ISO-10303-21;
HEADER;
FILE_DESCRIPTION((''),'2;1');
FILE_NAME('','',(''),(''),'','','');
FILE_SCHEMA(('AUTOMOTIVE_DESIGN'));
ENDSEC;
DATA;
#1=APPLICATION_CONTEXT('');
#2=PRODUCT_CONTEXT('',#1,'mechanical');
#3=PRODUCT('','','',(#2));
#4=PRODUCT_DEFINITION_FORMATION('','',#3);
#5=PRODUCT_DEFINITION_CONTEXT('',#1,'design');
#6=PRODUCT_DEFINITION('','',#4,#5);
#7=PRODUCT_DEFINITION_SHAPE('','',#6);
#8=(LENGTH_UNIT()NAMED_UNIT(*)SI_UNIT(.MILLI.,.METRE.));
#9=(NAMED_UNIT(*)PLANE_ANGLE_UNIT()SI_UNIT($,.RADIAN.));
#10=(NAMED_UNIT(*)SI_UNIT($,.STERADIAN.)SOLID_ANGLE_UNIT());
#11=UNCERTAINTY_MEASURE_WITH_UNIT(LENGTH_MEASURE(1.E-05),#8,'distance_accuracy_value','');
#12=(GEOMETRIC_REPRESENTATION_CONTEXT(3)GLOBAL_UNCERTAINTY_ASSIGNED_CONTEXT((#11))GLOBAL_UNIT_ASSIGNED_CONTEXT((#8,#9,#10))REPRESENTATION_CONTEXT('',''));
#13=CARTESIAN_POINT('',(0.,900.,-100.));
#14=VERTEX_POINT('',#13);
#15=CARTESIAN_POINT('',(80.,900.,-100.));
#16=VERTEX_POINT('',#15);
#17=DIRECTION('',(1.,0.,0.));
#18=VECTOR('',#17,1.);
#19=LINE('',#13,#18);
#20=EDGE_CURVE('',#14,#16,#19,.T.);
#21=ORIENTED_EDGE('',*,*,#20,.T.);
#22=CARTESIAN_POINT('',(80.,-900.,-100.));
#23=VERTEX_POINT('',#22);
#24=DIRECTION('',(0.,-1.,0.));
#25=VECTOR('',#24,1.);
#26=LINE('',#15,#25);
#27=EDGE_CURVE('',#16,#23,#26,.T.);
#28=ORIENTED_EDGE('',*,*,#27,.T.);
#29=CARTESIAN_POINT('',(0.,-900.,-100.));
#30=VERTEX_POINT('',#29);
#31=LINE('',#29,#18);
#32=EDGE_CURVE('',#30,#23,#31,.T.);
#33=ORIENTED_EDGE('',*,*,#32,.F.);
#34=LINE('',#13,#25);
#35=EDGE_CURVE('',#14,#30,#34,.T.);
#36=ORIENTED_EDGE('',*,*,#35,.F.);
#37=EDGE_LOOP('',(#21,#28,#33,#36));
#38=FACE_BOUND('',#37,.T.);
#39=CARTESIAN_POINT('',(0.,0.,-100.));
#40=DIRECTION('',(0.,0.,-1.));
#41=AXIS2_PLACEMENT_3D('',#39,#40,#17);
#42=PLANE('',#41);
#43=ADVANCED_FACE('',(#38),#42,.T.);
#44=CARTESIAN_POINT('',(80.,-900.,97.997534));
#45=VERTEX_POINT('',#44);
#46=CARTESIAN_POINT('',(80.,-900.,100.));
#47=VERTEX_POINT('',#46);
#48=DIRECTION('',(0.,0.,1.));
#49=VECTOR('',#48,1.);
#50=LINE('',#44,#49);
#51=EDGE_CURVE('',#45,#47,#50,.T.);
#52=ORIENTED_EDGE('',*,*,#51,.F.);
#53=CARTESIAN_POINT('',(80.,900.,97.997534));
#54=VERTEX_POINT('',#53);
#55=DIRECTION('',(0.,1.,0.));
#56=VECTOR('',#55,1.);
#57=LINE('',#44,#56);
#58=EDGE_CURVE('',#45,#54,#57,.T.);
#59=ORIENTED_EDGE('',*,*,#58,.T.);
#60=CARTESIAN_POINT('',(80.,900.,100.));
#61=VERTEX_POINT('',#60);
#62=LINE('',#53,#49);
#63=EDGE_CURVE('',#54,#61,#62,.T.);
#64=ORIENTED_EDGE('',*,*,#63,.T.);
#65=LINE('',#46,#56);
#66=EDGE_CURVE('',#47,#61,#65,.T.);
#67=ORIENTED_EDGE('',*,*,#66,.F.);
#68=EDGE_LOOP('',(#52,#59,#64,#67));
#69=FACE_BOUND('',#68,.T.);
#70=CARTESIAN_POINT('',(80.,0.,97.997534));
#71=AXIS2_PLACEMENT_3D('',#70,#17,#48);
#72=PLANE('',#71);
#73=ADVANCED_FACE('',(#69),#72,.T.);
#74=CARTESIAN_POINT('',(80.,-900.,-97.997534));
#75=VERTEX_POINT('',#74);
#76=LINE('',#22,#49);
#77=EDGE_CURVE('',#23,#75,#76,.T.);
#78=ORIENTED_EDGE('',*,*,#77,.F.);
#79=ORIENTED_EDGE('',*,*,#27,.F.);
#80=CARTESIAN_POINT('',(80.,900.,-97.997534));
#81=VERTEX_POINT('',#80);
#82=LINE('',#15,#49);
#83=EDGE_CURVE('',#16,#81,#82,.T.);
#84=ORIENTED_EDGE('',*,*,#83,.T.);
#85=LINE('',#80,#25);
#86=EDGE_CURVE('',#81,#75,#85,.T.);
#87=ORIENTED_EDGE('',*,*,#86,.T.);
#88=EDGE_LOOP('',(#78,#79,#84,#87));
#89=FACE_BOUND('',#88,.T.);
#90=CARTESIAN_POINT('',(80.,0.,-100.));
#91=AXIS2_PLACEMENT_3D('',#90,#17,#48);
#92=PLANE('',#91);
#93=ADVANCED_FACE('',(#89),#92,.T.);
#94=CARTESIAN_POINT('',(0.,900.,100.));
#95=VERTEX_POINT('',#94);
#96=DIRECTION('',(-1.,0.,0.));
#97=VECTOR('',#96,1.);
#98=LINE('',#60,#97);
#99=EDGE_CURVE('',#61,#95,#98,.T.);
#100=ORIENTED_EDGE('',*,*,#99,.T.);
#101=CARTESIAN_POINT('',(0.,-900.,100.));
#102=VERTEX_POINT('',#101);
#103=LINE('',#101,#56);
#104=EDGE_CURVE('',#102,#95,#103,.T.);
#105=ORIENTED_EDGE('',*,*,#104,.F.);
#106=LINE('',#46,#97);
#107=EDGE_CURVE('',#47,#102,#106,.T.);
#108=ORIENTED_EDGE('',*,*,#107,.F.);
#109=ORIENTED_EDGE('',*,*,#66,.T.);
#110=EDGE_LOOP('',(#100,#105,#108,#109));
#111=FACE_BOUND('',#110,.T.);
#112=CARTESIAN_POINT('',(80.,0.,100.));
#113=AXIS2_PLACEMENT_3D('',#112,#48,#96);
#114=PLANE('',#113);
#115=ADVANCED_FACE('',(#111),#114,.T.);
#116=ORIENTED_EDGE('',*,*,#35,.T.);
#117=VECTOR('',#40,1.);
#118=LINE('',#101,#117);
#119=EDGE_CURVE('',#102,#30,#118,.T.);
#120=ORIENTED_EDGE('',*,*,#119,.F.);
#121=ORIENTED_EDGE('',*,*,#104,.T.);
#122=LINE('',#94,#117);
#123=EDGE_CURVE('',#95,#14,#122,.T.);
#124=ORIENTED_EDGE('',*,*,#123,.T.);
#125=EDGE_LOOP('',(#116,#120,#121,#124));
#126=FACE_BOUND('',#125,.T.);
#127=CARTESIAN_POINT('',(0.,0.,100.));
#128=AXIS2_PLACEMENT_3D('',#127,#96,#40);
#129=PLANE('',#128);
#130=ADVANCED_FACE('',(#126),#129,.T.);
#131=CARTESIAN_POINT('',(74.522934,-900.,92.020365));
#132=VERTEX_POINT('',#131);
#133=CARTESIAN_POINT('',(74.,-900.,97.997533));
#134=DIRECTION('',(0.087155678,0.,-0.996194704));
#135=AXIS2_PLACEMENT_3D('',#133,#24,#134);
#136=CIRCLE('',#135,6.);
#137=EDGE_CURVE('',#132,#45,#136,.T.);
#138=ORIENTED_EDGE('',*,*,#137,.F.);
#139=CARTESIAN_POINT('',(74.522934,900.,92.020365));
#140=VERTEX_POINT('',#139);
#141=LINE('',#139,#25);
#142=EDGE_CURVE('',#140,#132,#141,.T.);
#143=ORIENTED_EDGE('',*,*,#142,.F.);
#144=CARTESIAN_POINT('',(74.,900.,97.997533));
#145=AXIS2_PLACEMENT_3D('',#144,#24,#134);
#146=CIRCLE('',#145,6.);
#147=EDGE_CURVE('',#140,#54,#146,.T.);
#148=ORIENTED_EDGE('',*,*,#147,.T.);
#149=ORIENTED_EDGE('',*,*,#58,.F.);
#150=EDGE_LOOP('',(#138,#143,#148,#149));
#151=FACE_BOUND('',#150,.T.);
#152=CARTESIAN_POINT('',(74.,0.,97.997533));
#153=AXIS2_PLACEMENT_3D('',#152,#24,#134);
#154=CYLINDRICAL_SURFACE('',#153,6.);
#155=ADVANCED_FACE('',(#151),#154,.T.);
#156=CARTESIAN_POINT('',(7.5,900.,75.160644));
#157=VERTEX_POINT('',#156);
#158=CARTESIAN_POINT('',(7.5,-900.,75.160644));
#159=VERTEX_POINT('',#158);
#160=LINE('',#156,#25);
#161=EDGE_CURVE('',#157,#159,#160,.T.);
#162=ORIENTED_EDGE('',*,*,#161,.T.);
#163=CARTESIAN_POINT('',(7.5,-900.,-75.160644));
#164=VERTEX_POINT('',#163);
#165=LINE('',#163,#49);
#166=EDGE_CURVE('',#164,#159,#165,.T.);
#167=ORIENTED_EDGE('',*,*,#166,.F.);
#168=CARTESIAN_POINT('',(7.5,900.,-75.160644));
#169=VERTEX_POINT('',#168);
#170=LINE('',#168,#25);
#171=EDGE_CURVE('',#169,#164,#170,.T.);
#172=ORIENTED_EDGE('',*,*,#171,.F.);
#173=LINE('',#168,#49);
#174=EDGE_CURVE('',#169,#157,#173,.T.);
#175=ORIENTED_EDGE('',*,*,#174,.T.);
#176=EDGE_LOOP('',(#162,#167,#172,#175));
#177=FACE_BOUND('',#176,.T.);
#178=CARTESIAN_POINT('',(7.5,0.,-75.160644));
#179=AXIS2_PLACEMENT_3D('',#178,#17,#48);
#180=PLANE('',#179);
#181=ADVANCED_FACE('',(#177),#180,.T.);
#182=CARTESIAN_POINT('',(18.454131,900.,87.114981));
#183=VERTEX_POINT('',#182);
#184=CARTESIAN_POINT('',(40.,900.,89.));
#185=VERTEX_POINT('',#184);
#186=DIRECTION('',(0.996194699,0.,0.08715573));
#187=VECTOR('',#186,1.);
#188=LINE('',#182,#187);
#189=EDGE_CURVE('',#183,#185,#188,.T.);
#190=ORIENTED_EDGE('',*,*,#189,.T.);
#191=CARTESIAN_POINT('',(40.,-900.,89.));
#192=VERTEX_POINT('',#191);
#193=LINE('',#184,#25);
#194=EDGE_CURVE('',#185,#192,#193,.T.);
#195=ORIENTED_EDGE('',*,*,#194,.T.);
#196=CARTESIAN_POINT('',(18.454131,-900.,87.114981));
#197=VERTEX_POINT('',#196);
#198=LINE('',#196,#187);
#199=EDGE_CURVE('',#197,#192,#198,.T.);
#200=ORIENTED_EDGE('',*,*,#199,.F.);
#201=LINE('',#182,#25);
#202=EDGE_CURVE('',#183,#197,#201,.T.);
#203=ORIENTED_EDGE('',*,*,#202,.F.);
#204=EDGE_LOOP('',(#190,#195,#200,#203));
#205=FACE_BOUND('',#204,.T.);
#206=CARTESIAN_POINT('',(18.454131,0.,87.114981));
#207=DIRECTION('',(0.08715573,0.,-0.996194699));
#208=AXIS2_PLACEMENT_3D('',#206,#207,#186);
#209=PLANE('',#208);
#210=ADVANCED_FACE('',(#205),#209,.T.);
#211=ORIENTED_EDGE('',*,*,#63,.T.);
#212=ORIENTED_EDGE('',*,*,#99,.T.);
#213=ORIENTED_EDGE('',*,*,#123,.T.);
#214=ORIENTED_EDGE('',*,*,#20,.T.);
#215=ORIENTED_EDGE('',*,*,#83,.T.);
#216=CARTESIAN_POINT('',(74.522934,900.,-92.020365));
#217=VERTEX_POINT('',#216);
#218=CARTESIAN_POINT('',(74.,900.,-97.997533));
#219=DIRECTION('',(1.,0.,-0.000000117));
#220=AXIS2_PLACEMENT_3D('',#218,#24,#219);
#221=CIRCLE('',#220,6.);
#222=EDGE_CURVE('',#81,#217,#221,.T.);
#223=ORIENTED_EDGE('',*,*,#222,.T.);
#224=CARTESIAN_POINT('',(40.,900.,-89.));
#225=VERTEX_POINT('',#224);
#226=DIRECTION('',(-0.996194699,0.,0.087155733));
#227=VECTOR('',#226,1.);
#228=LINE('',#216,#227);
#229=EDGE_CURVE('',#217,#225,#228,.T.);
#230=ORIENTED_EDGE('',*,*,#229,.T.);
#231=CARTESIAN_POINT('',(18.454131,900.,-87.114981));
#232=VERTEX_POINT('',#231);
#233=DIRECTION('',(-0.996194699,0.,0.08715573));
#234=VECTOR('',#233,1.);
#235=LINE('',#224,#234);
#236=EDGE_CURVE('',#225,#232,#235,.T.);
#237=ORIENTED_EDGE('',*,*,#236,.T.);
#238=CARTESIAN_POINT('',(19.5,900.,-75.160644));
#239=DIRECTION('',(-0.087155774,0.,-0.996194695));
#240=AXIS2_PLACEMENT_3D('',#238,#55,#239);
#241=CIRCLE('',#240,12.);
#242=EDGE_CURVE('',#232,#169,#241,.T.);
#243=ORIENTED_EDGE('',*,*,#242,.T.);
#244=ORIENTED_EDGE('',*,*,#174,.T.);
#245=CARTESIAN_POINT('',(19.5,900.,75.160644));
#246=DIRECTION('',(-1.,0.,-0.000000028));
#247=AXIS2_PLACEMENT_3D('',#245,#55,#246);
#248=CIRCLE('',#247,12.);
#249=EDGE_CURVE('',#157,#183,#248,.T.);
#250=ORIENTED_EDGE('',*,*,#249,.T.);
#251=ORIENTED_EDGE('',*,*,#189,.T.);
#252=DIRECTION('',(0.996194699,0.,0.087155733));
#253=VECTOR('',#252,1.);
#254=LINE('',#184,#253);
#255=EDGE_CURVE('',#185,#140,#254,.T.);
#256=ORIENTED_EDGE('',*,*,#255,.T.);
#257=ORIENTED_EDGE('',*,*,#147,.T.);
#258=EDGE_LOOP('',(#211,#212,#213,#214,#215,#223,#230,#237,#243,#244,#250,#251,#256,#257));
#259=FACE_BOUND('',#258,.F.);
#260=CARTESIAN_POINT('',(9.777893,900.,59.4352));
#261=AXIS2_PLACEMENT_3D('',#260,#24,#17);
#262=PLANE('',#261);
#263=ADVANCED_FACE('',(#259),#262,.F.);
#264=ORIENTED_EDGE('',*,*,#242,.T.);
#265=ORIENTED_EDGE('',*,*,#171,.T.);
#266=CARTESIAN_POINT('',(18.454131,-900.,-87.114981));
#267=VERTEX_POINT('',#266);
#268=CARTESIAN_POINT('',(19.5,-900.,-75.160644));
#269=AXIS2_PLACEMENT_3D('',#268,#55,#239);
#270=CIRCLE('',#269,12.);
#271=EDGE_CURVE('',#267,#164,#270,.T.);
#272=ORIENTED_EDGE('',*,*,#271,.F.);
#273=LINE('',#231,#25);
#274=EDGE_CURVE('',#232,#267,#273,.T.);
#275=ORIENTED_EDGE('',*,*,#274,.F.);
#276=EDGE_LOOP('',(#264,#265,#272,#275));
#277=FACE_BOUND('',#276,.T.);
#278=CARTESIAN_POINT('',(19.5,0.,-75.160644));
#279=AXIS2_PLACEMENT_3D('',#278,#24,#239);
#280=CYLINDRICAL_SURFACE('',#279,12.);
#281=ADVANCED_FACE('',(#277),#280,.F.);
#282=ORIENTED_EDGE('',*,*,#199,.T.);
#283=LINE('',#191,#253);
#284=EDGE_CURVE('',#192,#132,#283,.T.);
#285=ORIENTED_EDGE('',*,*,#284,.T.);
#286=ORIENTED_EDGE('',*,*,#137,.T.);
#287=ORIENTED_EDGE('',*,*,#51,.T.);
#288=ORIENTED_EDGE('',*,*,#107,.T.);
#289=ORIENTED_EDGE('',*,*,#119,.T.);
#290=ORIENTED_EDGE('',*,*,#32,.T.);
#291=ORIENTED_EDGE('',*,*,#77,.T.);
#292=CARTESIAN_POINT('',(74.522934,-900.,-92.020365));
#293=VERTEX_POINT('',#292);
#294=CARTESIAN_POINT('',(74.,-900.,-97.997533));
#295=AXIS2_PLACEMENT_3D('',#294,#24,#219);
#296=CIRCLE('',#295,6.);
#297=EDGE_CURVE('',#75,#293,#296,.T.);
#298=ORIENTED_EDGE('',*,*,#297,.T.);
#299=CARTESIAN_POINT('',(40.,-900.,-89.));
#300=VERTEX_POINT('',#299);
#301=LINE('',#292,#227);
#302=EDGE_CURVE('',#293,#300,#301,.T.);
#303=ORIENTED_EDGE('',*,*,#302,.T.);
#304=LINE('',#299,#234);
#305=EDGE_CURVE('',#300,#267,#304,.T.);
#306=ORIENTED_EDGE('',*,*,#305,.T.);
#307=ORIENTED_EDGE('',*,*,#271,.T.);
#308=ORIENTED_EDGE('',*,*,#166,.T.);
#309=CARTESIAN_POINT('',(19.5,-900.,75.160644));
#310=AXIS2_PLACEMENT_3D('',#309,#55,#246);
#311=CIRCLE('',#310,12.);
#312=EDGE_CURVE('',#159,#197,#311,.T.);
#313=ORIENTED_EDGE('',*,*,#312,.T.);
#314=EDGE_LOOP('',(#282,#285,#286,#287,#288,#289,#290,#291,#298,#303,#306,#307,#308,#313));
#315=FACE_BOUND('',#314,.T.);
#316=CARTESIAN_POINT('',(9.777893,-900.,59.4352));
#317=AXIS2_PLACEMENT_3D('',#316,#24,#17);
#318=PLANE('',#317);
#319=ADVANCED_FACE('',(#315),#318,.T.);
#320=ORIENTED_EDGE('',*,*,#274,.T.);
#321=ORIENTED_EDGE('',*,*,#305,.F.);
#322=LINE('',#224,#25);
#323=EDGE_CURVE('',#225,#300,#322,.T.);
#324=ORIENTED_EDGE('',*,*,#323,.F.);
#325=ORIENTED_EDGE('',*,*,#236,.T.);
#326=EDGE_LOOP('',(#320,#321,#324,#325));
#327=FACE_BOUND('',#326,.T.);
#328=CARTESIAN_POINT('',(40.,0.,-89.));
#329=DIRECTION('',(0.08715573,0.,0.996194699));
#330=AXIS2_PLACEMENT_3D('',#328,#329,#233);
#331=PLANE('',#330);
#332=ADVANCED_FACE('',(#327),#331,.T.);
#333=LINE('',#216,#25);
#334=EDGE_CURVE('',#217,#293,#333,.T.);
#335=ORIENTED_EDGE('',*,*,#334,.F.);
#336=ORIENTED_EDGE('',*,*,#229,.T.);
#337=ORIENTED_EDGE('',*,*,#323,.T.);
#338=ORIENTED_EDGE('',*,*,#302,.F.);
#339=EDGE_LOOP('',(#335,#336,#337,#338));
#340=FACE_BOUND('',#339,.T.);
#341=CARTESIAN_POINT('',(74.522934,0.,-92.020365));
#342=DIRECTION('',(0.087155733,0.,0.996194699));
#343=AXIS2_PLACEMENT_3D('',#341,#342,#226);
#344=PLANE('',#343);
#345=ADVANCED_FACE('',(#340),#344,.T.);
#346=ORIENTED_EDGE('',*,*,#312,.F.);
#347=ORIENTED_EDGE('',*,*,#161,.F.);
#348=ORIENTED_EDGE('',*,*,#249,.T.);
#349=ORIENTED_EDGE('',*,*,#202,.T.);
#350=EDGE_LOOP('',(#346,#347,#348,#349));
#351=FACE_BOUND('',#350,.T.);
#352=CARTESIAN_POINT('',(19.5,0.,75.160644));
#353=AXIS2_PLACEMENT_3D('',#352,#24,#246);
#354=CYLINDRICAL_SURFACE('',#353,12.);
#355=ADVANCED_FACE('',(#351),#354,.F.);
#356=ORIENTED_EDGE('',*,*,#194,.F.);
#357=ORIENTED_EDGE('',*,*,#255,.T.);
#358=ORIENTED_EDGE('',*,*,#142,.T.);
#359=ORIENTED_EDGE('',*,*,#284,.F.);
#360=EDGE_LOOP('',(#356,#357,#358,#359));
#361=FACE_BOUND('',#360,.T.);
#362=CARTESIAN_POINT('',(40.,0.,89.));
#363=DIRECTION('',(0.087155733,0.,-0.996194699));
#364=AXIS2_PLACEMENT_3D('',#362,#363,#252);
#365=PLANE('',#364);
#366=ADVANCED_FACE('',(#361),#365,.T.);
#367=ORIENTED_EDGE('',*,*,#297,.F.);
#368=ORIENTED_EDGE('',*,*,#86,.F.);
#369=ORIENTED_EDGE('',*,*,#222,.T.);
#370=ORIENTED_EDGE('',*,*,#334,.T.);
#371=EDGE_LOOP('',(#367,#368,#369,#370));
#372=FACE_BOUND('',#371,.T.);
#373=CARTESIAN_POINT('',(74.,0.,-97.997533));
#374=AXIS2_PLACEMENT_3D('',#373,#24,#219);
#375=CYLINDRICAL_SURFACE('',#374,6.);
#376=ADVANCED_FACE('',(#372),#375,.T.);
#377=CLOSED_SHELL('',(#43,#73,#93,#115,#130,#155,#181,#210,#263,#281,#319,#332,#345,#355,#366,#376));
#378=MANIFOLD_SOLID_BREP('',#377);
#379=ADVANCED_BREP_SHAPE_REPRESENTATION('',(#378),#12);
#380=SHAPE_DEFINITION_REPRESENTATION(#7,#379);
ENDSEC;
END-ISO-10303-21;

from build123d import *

# Parameters (mm, degrees)
F1_DEPTH = 900


with BuildPart() as f1:
    # F0 (on Front) → F1 (new body, symmetric)
    with BuildSketch(Plane.XZ):
        with BuildLine():
            Line((0, 100), (0, 0))
            Line((0, 0), (7.5, 0))
            Line((7.5, 0), (7.5, 75.160644))
            ThreePointArc((7.5, 75.160644), (10.652672, 83.267727), (18.454131, 87.114981))
            Line((18.454131, 87.114981), (40, 89))
            Line((40, 89), (40, 100))
            Line((40, 100), (0, 100))
        make_face()
        with BuildLine():
            Line((80, 100), (40, 100))
            Line((40, 100), (40, 89))
            Line((40, 89), (74.522934, 92.020365))
            ThreePointArc((74.522934, 92.020365), (78.423664, 93.943992), (80, 97.997534))
            Line((80, 97.997534), (80, 100))
        make_face()
        with BuildLine():
            Line((7.5, 0), (0, 0))
            Line((0, 0), (0, -100))
            Line((0, -100), (40, -100))
            Line((40, -100), (40, -89))
            Line((40, -89), (18.454131, -87.114981))
            ThreePointArc((18.454131, -87.114981), (10.652672, -83.267727), (7.5, -75.160644))
            Line((7.5, -75.160644), (7.5, 0))
        make_face()
        with BuildLine():
            Line((40, -89), (40, -100))
            Line((40, -100), (80, -100))
            Line((80, -100), (80, -97.997534))
            ThreePointArc((80, -97.997534), (78.423664, -93.943992), (74.522934, -92.020365))
            Line((74.522934, -92.020365), (40, -89))
        make_face()
    extrude(amount=F1_DEPTH, both=True)


solid = f1.part
